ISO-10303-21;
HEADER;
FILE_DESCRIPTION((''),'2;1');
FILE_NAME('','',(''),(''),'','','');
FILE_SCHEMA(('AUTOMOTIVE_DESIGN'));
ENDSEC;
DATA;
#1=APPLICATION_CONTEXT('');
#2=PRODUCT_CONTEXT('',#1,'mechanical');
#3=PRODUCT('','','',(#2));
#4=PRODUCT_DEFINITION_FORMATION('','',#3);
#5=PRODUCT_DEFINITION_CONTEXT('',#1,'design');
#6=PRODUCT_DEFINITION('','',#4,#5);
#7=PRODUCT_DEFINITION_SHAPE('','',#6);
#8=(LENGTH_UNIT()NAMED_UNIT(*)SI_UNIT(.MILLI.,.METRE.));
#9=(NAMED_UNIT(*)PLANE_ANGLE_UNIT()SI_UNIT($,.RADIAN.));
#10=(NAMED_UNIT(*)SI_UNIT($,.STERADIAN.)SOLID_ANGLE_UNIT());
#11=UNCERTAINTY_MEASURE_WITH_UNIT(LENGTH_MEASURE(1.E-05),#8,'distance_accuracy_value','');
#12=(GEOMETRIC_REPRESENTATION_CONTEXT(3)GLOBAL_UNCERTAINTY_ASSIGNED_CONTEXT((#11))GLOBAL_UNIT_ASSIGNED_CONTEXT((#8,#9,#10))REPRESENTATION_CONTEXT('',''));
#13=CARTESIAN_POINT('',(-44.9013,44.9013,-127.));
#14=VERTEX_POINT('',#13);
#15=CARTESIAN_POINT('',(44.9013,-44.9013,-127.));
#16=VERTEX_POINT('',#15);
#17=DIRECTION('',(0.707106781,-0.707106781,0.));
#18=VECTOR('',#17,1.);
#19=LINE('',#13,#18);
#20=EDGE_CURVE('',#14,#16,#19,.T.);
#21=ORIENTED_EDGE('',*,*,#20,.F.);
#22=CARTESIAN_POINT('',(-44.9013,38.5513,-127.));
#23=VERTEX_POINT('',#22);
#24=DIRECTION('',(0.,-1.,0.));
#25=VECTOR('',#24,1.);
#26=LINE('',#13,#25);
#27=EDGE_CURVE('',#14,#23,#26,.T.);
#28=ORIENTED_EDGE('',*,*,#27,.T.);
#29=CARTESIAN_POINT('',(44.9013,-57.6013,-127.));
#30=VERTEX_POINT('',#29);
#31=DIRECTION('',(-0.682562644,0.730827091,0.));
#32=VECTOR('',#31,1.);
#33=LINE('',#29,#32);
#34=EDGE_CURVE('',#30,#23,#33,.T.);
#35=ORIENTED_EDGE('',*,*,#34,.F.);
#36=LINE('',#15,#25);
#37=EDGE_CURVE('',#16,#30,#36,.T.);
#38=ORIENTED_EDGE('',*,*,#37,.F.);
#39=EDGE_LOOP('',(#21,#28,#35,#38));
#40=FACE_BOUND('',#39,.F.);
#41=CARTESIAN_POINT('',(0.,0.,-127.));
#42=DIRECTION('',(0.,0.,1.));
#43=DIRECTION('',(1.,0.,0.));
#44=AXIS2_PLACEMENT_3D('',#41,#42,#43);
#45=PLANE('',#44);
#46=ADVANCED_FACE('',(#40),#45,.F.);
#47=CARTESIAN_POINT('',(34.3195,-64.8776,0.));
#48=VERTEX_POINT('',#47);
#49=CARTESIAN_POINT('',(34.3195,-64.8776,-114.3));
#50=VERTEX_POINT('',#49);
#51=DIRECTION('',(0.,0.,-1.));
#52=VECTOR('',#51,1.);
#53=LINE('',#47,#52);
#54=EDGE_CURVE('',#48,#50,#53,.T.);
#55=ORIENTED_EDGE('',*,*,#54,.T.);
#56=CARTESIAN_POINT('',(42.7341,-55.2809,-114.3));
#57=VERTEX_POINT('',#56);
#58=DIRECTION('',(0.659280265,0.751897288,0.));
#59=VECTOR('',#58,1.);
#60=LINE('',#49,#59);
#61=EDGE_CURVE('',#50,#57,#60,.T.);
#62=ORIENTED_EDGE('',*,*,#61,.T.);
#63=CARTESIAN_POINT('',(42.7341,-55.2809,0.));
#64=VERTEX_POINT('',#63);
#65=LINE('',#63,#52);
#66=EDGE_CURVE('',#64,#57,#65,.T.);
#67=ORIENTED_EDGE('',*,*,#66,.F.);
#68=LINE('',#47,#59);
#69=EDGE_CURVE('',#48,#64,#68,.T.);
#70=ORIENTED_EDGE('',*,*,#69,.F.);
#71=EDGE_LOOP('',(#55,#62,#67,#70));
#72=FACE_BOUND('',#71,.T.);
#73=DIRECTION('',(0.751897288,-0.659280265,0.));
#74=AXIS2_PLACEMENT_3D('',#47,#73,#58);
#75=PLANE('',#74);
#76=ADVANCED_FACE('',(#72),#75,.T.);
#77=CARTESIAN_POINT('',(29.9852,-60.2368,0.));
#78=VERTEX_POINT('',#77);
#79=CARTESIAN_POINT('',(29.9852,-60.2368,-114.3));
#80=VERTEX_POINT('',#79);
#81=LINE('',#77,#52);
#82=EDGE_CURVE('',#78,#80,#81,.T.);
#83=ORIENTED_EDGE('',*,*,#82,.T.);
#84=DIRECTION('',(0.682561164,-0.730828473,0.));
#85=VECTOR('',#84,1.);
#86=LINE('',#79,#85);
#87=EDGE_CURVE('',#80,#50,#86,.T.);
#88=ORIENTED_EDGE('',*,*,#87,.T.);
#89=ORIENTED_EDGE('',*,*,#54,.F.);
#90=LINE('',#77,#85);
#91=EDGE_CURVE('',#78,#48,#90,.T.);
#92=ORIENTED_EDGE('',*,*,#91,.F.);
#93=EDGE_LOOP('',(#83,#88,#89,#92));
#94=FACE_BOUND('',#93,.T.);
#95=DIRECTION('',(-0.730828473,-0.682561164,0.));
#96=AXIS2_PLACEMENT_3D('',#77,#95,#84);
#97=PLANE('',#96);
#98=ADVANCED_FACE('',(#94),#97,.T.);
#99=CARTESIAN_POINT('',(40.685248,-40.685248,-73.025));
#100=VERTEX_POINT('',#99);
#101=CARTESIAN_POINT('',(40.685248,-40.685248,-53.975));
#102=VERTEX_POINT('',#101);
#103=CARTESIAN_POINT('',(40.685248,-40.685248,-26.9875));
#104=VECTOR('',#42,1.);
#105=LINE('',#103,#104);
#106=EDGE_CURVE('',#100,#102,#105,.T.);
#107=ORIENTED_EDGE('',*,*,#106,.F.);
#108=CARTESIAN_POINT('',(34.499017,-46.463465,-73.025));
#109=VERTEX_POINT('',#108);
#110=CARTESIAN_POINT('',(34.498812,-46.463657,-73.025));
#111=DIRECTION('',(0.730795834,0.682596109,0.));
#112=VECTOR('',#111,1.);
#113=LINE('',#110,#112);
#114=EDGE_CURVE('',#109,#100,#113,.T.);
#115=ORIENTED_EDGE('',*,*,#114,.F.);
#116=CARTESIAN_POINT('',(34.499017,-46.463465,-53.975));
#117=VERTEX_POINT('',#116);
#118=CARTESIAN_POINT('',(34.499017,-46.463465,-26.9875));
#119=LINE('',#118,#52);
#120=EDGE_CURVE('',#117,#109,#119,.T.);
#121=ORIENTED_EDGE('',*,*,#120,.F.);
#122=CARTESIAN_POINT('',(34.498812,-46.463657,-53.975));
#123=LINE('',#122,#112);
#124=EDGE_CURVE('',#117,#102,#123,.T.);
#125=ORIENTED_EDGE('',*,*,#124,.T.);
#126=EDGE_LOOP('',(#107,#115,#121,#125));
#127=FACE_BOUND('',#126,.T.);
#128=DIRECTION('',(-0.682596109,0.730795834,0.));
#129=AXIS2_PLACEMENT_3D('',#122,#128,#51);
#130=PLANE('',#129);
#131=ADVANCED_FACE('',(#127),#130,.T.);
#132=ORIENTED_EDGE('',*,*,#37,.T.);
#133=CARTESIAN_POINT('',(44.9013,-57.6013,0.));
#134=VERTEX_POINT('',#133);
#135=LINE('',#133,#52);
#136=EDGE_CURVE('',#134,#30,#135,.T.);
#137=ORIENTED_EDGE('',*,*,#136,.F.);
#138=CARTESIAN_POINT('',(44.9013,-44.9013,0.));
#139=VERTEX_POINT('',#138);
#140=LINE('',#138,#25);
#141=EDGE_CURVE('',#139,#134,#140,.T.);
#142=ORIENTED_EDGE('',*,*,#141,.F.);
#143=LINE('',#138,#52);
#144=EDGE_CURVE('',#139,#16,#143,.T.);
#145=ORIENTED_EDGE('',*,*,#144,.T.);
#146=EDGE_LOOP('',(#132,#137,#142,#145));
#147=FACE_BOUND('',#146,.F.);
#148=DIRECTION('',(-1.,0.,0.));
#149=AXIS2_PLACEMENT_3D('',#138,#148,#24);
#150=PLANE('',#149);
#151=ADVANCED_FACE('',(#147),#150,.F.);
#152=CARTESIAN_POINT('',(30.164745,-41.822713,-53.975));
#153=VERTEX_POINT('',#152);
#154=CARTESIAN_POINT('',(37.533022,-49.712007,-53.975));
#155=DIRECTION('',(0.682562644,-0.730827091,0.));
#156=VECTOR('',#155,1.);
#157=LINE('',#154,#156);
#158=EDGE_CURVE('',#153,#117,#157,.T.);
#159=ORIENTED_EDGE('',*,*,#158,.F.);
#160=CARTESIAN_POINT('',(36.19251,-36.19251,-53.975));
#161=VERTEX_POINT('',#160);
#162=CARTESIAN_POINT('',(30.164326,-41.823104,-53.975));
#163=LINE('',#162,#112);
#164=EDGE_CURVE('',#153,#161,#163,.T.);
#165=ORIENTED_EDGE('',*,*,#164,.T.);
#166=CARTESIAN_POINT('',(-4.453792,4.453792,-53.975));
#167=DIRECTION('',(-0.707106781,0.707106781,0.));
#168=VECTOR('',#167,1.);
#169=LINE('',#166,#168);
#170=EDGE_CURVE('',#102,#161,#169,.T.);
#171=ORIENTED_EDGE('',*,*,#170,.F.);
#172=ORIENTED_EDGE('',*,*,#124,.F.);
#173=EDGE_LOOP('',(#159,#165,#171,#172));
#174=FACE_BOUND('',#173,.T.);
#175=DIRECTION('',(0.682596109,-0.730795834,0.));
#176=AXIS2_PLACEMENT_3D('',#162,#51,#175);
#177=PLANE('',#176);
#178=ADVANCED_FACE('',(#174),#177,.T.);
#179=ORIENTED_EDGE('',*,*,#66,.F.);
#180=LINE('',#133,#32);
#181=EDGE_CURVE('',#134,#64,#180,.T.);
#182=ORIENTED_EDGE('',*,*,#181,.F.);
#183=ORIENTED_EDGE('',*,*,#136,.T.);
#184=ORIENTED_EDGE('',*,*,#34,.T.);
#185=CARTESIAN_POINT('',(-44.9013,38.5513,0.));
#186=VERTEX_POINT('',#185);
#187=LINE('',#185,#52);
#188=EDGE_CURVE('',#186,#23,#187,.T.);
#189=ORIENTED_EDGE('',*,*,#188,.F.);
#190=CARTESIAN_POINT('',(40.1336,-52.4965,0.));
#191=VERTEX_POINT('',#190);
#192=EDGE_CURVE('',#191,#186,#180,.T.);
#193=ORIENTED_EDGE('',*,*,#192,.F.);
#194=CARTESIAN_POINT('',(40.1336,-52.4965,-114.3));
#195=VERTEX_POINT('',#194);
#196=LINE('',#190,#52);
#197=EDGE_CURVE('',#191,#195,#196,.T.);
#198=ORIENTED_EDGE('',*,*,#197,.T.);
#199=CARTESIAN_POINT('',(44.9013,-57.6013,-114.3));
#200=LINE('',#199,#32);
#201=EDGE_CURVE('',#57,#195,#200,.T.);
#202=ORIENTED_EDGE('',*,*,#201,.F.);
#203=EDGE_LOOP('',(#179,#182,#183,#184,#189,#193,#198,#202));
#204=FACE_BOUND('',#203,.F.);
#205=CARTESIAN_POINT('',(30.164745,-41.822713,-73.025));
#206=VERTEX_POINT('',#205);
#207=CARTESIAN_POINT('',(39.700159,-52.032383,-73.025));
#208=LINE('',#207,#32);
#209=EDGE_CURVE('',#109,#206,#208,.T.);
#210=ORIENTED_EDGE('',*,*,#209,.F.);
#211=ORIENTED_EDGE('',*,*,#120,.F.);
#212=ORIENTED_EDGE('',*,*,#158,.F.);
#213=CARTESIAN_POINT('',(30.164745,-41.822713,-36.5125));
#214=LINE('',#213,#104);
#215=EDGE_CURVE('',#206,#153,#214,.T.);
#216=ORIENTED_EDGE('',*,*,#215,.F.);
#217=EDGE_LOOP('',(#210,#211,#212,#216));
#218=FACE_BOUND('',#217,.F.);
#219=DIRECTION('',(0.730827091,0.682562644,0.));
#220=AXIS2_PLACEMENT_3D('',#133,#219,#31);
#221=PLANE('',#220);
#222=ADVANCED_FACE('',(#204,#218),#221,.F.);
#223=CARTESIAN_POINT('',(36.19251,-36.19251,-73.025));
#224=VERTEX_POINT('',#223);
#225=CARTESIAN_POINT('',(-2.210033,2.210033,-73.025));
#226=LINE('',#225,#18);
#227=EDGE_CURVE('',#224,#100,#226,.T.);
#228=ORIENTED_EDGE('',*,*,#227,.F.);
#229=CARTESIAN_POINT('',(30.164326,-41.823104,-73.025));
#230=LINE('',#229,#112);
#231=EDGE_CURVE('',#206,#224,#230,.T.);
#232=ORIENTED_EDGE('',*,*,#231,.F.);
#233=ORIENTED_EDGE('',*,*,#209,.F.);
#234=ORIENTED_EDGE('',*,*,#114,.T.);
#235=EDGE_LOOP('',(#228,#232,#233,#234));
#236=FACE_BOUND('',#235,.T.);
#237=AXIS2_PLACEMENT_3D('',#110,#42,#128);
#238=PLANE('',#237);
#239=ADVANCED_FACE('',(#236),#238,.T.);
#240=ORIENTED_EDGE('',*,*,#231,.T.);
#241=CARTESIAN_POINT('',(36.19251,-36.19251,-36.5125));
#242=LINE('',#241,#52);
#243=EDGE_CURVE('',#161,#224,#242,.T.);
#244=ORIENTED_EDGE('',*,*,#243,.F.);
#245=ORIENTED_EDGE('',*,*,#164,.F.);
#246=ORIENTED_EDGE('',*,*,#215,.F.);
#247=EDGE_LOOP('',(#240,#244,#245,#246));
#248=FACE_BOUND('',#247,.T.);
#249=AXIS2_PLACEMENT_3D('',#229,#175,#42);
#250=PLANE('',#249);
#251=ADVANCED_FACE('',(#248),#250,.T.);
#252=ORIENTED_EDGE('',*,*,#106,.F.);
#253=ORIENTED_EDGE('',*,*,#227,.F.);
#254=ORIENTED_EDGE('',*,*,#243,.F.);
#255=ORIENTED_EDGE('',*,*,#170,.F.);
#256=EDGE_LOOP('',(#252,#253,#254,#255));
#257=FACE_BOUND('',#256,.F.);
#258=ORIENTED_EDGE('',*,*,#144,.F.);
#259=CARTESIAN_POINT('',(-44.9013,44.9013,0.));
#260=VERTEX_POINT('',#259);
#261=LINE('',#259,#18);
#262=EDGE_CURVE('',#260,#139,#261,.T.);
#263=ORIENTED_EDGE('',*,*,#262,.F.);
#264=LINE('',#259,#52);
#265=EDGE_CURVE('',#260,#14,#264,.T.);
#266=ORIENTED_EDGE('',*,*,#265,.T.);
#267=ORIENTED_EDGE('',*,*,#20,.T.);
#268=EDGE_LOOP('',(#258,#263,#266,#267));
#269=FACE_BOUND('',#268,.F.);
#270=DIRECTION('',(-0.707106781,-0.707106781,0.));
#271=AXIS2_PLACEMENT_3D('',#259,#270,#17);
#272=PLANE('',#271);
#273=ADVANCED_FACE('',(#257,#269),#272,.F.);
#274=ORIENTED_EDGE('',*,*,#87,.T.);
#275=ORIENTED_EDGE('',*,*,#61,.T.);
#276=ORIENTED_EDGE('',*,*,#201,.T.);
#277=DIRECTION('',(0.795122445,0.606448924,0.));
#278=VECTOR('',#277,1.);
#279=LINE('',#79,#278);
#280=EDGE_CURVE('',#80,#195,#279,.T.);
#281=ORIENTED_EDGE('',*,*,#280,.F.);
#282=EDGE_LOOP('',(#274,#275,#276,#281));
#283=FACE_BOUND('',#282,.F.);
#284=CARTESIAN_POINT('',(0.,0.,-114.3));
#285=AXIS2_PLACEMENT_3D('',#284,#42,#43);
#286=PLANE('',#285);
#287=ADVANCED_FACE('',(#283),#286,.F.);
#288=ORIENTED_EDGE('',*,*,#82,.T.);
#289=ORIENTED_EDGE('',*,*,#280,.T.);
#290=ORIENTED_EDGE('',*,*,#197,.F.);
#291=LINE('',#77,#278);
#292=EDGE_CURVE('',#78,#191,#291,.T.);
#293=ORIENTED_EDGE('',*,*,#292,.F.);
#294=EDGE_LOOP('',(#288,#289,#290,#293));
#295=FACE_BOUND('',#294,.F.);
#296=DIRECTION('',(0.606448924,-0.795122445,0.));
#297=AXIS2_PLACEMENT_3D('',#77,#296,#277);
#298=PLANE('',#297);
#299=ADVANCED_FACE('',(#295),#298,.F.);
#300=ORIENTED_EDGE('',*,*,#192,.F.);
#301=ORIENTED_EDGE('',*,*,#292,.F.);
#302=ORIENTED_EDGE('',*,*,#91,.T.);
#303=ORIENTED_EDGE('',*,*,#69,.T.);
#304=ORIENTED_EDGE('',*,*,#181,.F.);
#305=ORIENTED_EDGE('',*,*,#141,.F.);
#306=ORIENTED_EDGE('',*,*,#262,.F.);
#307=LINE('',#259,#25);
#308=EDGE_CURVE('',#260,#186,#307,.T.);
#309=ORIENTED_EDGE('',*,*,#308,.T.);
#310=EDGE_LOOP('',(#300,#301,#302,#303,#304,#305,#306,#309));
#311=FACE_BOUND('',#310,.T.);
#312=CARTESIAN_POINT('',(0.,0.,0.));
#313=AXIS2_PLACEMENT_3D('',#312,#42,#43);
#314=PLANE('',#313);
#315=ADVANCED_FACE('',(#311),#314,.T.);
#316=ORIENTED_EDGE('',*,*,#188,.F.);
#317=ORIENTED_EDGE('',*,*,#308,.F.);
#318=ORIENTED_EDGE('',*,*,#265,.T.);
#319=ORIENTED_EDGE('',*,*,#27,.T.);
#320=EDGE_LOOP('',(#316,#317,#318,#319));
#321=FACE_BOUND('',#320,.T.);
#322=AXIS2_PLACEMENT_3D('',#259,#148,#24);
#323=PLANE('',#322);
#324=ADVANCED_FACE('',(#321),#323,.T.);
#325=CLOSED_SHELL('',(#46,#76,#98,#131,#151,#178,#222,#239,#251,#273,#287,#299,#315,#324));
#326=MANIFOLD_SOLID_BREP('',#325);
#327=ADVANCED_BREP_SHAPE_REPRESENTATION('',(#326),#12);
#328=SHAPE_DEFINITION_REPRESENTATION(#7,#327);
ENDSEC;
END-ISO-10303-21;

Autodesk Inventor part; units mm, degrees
ref_plane "YZ Plane" through (0, 0, 0) normal (1, 0, 0) x (0, 1, 0)
ref_plane "XZ Plane" through (0, 0, 0) normal (0, 1, 0) x (-1, 0, 0)
ref_plane "XY Plane" through (0, 0, 0) normal (0, 0, 1) x (1, 0, 0)
sketch "Sketch1" plane through (0, 0, 0) normal (0, 0, 1) x (1, 0, 0)
  line L0 (-44.9013, 44.9013) -> (44.9013, -44.9013)
  line L1 (-44.9013, 44.9013) -> (82.0987, 44.9013) construction
  line L2 (-44.9013, 44.9013) -> (-44.9013, 38.5513)
  line L3 (44.9013, -44.9013) -> (44.9013, -57.6013)
  line L4 (44.9013, -57.6013) -> (-44.9013, 38.5513)
  line L5 (-44.9013, 38.5513) -> (-44.9013, -83.0013) construction
  line L6 (-44.9013, 38.5513) -> (76.6513, 38.5513) construction
  line L7 (44.9013, -57.6013) -> (80.8223, -57.6013) construction
  line L8 (44.9013, -57.6013) -> (37.9664, -50.1761) construction
  line L9 (37.9664, -50.1761) -> (84.3883, -50.1761) construction
  point P0 (0, 0)
  point P1 (0, 0)
  dimension "d0" = 127
  dimension "d1" = 45
  dimension "d2" = 6.35
  dimension "d5" = 12.7
  dimension "d6" = 90
  dimension "d10" = 10.16
extrude "Extrusion1" add sketch "Sketch1" against normal blind 127
sketch "Sketch4" plane through (37.9664, -50.1761, -101.6) normal (-0.7308, -0.6826, 0) x (0, 0, 1)
  line L0 (0, -1.5843) -> (0, 0) projected
  line L1 (101.6, 0) -> (101.6, -1.5843) projected
  line L2 (28.575, 11.43) -> (47.625, 11.43)
  line L3 (47.625, 11.43) -> (47.625, 5.08)
  line L4 (47.625, 5.08) -> (28.575, 5.08)
  line L5 (28.575, 5.08) -> (28.575, 11.43)
  line L6 (101.6, 0) -> (-25.4, 0) construction
  line L7 (-25.4, 126.0475) -> (-25.4, -0.8785) projected
  point P0 (101.6, 62.5845)
  point P1 (38.1, 5.08)
  point P2 (38.1, 0)
  dimension "d24" = 19.05
  dimension "d25" = 6.35
  dimension "d34" = 5.08
extrude "Extrusion4" cut sketch "Sketch4" against normal up to next
sketch "Sketch5" plane through (0, 0, 0) normal (0, 0, 1) x (1, 0, 0)
  line L0 (44.9013, -57.6013) -> (37.9664, -50.1761) construction
  line L1 (44.9013, -57.6013) -> (-44.9013, 38.5513) projected
  line L2 (32.1524, -62.5572) -> (41.4339, -53.8887) construction
  line L3 (40.1336, -52.4965) -> (42.7341, -55.2809)
  line L4 (29.9852, -60.2368) -> (34.3195, -64.8776)
  line L5 (29.9852, -60.2368) -> (40.1336, -52.4965)
  line L6 (34.3195, -64.8776) -> (42.7341, -55.2809)
  point P0 (0, 0)
  dimension "d28" = 10.16
  dimension "d29" = 12.7
  dimension "d30" = 3.81
  dimension "d31" = 6.35
extrude "Extrusion5" add sketch "Sketch5" against normal blind 114.3
properties part number "proto_1_panel"
